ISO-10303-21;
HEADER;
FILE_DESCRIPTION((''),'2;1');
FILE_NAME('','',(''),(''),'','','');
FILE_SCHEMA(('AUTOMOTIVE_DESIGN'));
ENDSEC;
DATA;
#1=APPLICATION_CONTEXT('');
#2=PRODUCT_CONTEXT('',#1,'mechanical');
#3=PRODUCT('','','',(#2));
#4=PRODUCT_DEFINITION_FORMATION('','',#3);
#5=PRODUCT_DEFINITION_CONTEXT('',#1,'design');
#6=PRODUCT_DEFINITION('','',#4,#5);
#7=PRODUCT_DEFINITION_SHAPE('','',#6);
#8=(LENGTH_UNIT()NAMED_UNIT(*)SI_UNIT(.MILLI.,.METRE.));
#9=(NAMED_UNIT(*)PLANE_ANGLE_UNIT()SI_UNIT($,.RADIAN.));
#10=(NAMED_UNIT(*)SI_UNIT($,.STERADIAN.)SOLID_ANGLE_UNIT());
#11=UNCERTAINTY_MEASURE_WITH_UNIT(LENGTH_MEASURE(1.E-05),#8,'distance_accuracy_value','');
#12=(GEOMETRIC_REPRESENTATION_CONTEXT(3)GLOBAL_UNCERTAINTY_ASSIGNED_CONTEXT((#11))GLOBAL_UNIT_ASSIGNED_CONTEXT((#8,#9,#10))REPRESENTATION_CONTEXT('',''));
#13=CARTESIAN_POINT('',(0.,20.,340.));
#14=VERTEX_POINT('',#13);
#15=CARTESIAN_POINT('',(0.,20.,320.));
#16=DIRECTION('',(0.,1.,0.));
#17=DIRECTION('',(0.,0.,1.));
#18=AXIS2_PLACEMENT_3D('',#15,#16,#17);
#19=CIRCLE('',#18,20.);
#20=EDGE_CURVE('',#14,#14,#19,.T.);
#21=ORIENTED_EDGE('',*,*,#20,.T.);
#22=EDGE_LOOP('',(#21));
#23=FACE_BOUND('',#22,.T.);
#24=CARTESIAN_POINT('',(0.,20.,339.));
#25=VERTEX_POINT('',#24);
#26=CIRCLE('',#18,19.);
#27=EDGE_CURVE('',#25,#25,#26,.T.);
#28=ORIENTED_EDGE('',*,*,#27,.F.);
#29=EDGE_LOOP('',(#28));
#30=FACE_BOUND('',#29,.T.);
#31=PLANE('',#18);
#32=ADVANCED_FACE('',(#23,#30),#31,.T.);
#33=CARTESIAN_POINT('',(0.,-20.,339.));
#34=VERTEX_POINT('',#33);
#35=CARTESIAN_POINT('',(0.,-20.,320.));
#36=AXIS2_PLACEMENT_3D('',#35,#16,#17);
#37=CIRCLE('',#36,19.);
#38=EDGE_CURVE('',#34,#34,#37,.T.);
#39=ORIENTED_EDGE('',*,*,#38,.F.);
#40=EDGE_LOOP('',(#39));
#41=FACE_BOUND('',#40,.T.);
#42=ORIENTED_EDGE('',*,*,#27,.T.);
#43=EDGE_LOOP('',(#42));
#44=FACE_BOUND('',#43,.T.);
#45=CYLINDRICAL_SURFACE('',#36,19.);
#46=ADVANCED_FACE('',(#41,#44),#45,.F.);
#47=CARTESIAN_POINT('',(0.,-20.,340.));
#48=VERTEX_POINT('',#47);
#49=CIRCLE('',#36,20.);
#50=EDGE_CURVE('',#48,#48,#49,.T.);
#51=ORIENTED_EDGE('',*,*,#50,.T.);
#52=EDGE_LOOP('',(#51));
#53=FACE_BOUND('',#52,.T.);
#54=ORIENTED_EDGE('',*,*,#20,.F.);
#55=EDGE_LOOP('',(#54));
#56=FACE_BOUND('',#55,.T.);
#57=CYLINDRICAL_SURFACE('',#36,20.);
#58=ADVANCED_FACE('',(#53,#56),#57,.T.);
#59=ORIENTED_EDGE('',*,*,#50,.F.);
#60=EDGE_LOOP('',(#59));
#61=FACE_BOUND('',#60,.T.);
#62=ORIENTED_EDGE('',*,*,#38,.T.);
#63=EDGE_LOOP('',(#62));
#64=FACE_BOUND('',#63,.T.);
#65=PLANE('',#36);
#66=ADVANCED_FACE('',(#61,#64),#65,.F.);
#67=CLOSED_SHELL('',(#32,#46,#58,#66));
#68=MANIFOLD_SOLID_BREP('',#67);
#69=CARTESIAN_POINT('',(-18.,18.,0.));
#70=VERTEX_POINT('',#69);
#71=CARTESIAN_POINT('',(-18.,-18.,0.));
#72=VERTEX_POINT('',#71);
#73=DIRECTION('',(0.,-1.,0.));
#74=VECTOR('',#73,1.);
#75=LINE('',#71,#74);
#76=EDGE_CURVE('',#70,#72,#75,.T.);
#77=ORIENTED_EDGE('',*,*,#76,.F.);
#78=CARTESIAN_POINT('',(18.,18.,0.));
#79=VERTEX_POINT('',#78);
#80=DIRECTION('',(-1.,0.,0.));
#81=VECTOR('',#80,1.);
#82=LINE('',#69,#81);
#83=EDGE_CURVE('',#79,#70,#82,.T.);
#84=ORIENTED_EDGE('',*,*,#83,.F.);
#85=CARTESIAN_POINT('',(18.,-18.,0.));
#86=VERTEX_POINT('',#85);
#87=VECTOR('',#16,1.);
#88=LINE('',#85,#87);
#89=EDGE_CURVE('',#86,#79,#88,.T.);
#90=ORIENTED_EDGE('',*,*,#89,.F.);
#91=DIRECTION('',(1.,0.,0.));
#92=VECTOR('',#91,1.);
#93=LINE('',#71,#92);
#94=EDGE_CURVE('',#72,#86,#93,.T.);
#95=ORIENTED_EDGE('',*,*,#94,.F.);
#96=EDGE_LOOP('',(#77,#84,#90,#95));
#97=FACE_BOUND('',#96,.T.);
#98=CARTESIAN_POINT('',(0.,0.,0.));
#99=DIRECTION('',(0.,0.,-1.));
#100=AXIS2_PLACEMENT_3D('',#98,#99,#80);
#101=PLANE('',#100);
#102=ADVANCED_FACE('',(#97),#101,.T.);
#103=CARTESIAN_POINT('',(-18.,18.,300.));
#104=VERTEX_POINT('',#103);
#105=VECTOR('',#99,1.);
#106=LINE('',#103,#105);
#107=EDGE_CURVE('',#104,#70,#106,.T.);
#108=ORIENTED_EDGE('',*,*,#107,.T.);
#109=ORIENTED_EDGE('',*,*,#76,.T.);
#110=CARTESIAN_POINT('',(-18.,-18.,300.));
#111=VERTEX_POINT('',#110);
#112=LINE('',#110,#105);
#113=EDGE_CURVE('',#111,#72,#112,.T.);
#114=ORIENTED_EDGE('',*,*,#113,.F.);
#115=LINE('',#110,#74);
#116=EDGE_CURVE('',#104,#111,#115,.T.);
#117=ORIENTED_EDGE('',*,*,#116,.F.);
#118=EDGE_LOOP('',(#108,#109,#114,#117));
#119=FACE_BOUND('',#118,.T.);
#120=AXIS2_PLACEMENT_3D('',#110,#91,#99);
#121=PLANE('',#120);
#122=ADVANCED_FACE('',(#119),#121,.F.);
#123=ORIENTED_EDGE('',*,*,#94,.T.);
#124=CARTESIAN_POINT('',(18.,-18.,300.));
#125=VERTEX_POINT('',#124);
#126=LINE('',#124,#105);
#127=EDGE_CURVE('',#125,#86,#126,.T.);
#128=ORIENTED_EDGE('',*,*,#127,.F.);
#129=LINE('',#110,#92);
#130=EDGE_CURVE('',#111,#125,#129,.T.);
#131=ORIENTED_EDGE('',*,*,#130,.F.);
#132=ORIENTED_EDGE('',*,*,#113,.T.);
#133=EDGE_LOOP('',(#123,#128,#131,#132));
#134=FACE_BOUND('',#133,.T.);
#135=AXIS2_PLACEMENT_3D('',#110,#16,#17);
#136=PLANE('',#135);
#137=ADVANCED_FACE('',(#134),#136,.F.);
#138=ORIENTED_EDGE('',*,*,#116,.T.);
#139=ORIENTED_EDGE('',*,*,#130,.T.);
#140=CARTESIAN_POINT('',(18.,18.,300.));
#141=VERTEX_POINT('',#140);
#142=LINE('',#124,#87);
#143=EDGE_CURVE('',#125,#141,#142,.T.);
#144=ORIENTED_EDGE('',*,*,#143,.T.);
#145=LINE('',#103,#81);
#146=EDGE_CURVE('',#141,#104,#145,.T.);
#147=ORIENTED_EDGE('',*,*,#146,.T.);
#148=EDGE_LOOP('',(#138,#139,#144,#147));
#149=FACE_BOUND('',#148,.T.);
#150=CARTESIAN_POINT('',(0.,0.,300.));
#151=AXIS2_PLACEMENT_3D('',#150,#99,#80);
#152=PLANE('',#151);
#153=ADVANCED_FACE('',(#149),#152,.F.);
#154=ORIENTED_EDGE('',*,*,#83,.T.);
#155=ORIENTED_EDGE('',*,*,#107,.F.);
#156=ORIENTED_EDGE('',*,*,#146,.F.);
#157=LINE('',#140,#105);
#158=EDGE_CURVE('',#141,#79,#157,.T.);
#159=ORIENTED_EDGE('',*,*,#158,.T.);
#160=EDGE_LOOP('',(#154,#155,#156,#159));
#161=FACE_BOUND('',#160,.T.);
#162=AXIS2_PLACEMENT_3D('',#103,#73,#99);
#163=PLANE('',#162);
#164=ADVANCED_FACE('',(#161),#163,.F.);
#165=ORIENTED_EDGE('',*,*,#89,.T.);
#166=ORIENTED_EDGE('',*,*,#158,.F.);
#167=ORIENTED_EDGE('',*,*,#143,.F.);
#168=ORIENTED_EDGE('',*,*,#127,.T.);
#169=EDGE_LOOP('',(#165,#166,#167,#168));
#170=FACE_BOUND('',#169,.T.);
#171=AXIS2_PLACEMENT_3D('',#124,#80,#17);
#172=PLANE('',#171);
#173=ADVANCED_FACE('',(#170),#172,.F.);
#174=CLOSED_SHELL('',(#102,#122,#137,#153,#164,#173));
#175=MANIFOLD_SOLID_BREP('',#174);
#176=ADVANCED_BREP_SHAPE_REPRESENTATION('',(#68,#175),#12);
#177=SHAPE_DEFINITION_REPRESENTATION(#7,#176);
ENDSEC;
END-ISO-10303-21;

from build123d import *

# Parameters (mm, degrees)
SKETCH1_W                = 36
SKETCH1_H                = 36
BOSS_EXTRUDE1_DEPTH      = 300
BOSS_EXTRUDE2_DEPTH      = 20
BOSS_EXTRUDE2_DEPTH_BACK = 20
SKETCH2_R                = 20
SKETCH2_R_2              = 19


with BuildPart() as part:
    # Sketch1 → Boss-Extrude1 (new body)
    with BuildSketch(Plane.XY):
        Rectangle(SKETCH1_W, SKETCH1_H)
    extrude(amount=BOSS_EXTRUDE1_DEPTH)


with BuildPart() as body_2:
    # Sketch2 → Boss-Extrude2 (new, two sides: drawn at the far end of the back side and taken through both)
    with BuildSketch(Plane(origin=(0, 0, 0), x_dir=(1, 0, 0), z_dir=(0, 1, 0)).offset(-BOSS_EXTRUDE2_DEPTH_BACK)):
        with Locations(Location((0, -320, 0), (0, 0, 270))):
            Circle(SKETCH2_R)
        with Locations(Location((0, -320, 0), (0, 0, 270))):
            Circle(SKETCH2_R_2, mode=Mode.SUBTRACT)
    extrude(amount=BOSS_EXTRUDE2_DEPTH + BOSS_EXTRUDE2_DEPTH_BACK)


solid = Compound([part.part, body_2.part])
